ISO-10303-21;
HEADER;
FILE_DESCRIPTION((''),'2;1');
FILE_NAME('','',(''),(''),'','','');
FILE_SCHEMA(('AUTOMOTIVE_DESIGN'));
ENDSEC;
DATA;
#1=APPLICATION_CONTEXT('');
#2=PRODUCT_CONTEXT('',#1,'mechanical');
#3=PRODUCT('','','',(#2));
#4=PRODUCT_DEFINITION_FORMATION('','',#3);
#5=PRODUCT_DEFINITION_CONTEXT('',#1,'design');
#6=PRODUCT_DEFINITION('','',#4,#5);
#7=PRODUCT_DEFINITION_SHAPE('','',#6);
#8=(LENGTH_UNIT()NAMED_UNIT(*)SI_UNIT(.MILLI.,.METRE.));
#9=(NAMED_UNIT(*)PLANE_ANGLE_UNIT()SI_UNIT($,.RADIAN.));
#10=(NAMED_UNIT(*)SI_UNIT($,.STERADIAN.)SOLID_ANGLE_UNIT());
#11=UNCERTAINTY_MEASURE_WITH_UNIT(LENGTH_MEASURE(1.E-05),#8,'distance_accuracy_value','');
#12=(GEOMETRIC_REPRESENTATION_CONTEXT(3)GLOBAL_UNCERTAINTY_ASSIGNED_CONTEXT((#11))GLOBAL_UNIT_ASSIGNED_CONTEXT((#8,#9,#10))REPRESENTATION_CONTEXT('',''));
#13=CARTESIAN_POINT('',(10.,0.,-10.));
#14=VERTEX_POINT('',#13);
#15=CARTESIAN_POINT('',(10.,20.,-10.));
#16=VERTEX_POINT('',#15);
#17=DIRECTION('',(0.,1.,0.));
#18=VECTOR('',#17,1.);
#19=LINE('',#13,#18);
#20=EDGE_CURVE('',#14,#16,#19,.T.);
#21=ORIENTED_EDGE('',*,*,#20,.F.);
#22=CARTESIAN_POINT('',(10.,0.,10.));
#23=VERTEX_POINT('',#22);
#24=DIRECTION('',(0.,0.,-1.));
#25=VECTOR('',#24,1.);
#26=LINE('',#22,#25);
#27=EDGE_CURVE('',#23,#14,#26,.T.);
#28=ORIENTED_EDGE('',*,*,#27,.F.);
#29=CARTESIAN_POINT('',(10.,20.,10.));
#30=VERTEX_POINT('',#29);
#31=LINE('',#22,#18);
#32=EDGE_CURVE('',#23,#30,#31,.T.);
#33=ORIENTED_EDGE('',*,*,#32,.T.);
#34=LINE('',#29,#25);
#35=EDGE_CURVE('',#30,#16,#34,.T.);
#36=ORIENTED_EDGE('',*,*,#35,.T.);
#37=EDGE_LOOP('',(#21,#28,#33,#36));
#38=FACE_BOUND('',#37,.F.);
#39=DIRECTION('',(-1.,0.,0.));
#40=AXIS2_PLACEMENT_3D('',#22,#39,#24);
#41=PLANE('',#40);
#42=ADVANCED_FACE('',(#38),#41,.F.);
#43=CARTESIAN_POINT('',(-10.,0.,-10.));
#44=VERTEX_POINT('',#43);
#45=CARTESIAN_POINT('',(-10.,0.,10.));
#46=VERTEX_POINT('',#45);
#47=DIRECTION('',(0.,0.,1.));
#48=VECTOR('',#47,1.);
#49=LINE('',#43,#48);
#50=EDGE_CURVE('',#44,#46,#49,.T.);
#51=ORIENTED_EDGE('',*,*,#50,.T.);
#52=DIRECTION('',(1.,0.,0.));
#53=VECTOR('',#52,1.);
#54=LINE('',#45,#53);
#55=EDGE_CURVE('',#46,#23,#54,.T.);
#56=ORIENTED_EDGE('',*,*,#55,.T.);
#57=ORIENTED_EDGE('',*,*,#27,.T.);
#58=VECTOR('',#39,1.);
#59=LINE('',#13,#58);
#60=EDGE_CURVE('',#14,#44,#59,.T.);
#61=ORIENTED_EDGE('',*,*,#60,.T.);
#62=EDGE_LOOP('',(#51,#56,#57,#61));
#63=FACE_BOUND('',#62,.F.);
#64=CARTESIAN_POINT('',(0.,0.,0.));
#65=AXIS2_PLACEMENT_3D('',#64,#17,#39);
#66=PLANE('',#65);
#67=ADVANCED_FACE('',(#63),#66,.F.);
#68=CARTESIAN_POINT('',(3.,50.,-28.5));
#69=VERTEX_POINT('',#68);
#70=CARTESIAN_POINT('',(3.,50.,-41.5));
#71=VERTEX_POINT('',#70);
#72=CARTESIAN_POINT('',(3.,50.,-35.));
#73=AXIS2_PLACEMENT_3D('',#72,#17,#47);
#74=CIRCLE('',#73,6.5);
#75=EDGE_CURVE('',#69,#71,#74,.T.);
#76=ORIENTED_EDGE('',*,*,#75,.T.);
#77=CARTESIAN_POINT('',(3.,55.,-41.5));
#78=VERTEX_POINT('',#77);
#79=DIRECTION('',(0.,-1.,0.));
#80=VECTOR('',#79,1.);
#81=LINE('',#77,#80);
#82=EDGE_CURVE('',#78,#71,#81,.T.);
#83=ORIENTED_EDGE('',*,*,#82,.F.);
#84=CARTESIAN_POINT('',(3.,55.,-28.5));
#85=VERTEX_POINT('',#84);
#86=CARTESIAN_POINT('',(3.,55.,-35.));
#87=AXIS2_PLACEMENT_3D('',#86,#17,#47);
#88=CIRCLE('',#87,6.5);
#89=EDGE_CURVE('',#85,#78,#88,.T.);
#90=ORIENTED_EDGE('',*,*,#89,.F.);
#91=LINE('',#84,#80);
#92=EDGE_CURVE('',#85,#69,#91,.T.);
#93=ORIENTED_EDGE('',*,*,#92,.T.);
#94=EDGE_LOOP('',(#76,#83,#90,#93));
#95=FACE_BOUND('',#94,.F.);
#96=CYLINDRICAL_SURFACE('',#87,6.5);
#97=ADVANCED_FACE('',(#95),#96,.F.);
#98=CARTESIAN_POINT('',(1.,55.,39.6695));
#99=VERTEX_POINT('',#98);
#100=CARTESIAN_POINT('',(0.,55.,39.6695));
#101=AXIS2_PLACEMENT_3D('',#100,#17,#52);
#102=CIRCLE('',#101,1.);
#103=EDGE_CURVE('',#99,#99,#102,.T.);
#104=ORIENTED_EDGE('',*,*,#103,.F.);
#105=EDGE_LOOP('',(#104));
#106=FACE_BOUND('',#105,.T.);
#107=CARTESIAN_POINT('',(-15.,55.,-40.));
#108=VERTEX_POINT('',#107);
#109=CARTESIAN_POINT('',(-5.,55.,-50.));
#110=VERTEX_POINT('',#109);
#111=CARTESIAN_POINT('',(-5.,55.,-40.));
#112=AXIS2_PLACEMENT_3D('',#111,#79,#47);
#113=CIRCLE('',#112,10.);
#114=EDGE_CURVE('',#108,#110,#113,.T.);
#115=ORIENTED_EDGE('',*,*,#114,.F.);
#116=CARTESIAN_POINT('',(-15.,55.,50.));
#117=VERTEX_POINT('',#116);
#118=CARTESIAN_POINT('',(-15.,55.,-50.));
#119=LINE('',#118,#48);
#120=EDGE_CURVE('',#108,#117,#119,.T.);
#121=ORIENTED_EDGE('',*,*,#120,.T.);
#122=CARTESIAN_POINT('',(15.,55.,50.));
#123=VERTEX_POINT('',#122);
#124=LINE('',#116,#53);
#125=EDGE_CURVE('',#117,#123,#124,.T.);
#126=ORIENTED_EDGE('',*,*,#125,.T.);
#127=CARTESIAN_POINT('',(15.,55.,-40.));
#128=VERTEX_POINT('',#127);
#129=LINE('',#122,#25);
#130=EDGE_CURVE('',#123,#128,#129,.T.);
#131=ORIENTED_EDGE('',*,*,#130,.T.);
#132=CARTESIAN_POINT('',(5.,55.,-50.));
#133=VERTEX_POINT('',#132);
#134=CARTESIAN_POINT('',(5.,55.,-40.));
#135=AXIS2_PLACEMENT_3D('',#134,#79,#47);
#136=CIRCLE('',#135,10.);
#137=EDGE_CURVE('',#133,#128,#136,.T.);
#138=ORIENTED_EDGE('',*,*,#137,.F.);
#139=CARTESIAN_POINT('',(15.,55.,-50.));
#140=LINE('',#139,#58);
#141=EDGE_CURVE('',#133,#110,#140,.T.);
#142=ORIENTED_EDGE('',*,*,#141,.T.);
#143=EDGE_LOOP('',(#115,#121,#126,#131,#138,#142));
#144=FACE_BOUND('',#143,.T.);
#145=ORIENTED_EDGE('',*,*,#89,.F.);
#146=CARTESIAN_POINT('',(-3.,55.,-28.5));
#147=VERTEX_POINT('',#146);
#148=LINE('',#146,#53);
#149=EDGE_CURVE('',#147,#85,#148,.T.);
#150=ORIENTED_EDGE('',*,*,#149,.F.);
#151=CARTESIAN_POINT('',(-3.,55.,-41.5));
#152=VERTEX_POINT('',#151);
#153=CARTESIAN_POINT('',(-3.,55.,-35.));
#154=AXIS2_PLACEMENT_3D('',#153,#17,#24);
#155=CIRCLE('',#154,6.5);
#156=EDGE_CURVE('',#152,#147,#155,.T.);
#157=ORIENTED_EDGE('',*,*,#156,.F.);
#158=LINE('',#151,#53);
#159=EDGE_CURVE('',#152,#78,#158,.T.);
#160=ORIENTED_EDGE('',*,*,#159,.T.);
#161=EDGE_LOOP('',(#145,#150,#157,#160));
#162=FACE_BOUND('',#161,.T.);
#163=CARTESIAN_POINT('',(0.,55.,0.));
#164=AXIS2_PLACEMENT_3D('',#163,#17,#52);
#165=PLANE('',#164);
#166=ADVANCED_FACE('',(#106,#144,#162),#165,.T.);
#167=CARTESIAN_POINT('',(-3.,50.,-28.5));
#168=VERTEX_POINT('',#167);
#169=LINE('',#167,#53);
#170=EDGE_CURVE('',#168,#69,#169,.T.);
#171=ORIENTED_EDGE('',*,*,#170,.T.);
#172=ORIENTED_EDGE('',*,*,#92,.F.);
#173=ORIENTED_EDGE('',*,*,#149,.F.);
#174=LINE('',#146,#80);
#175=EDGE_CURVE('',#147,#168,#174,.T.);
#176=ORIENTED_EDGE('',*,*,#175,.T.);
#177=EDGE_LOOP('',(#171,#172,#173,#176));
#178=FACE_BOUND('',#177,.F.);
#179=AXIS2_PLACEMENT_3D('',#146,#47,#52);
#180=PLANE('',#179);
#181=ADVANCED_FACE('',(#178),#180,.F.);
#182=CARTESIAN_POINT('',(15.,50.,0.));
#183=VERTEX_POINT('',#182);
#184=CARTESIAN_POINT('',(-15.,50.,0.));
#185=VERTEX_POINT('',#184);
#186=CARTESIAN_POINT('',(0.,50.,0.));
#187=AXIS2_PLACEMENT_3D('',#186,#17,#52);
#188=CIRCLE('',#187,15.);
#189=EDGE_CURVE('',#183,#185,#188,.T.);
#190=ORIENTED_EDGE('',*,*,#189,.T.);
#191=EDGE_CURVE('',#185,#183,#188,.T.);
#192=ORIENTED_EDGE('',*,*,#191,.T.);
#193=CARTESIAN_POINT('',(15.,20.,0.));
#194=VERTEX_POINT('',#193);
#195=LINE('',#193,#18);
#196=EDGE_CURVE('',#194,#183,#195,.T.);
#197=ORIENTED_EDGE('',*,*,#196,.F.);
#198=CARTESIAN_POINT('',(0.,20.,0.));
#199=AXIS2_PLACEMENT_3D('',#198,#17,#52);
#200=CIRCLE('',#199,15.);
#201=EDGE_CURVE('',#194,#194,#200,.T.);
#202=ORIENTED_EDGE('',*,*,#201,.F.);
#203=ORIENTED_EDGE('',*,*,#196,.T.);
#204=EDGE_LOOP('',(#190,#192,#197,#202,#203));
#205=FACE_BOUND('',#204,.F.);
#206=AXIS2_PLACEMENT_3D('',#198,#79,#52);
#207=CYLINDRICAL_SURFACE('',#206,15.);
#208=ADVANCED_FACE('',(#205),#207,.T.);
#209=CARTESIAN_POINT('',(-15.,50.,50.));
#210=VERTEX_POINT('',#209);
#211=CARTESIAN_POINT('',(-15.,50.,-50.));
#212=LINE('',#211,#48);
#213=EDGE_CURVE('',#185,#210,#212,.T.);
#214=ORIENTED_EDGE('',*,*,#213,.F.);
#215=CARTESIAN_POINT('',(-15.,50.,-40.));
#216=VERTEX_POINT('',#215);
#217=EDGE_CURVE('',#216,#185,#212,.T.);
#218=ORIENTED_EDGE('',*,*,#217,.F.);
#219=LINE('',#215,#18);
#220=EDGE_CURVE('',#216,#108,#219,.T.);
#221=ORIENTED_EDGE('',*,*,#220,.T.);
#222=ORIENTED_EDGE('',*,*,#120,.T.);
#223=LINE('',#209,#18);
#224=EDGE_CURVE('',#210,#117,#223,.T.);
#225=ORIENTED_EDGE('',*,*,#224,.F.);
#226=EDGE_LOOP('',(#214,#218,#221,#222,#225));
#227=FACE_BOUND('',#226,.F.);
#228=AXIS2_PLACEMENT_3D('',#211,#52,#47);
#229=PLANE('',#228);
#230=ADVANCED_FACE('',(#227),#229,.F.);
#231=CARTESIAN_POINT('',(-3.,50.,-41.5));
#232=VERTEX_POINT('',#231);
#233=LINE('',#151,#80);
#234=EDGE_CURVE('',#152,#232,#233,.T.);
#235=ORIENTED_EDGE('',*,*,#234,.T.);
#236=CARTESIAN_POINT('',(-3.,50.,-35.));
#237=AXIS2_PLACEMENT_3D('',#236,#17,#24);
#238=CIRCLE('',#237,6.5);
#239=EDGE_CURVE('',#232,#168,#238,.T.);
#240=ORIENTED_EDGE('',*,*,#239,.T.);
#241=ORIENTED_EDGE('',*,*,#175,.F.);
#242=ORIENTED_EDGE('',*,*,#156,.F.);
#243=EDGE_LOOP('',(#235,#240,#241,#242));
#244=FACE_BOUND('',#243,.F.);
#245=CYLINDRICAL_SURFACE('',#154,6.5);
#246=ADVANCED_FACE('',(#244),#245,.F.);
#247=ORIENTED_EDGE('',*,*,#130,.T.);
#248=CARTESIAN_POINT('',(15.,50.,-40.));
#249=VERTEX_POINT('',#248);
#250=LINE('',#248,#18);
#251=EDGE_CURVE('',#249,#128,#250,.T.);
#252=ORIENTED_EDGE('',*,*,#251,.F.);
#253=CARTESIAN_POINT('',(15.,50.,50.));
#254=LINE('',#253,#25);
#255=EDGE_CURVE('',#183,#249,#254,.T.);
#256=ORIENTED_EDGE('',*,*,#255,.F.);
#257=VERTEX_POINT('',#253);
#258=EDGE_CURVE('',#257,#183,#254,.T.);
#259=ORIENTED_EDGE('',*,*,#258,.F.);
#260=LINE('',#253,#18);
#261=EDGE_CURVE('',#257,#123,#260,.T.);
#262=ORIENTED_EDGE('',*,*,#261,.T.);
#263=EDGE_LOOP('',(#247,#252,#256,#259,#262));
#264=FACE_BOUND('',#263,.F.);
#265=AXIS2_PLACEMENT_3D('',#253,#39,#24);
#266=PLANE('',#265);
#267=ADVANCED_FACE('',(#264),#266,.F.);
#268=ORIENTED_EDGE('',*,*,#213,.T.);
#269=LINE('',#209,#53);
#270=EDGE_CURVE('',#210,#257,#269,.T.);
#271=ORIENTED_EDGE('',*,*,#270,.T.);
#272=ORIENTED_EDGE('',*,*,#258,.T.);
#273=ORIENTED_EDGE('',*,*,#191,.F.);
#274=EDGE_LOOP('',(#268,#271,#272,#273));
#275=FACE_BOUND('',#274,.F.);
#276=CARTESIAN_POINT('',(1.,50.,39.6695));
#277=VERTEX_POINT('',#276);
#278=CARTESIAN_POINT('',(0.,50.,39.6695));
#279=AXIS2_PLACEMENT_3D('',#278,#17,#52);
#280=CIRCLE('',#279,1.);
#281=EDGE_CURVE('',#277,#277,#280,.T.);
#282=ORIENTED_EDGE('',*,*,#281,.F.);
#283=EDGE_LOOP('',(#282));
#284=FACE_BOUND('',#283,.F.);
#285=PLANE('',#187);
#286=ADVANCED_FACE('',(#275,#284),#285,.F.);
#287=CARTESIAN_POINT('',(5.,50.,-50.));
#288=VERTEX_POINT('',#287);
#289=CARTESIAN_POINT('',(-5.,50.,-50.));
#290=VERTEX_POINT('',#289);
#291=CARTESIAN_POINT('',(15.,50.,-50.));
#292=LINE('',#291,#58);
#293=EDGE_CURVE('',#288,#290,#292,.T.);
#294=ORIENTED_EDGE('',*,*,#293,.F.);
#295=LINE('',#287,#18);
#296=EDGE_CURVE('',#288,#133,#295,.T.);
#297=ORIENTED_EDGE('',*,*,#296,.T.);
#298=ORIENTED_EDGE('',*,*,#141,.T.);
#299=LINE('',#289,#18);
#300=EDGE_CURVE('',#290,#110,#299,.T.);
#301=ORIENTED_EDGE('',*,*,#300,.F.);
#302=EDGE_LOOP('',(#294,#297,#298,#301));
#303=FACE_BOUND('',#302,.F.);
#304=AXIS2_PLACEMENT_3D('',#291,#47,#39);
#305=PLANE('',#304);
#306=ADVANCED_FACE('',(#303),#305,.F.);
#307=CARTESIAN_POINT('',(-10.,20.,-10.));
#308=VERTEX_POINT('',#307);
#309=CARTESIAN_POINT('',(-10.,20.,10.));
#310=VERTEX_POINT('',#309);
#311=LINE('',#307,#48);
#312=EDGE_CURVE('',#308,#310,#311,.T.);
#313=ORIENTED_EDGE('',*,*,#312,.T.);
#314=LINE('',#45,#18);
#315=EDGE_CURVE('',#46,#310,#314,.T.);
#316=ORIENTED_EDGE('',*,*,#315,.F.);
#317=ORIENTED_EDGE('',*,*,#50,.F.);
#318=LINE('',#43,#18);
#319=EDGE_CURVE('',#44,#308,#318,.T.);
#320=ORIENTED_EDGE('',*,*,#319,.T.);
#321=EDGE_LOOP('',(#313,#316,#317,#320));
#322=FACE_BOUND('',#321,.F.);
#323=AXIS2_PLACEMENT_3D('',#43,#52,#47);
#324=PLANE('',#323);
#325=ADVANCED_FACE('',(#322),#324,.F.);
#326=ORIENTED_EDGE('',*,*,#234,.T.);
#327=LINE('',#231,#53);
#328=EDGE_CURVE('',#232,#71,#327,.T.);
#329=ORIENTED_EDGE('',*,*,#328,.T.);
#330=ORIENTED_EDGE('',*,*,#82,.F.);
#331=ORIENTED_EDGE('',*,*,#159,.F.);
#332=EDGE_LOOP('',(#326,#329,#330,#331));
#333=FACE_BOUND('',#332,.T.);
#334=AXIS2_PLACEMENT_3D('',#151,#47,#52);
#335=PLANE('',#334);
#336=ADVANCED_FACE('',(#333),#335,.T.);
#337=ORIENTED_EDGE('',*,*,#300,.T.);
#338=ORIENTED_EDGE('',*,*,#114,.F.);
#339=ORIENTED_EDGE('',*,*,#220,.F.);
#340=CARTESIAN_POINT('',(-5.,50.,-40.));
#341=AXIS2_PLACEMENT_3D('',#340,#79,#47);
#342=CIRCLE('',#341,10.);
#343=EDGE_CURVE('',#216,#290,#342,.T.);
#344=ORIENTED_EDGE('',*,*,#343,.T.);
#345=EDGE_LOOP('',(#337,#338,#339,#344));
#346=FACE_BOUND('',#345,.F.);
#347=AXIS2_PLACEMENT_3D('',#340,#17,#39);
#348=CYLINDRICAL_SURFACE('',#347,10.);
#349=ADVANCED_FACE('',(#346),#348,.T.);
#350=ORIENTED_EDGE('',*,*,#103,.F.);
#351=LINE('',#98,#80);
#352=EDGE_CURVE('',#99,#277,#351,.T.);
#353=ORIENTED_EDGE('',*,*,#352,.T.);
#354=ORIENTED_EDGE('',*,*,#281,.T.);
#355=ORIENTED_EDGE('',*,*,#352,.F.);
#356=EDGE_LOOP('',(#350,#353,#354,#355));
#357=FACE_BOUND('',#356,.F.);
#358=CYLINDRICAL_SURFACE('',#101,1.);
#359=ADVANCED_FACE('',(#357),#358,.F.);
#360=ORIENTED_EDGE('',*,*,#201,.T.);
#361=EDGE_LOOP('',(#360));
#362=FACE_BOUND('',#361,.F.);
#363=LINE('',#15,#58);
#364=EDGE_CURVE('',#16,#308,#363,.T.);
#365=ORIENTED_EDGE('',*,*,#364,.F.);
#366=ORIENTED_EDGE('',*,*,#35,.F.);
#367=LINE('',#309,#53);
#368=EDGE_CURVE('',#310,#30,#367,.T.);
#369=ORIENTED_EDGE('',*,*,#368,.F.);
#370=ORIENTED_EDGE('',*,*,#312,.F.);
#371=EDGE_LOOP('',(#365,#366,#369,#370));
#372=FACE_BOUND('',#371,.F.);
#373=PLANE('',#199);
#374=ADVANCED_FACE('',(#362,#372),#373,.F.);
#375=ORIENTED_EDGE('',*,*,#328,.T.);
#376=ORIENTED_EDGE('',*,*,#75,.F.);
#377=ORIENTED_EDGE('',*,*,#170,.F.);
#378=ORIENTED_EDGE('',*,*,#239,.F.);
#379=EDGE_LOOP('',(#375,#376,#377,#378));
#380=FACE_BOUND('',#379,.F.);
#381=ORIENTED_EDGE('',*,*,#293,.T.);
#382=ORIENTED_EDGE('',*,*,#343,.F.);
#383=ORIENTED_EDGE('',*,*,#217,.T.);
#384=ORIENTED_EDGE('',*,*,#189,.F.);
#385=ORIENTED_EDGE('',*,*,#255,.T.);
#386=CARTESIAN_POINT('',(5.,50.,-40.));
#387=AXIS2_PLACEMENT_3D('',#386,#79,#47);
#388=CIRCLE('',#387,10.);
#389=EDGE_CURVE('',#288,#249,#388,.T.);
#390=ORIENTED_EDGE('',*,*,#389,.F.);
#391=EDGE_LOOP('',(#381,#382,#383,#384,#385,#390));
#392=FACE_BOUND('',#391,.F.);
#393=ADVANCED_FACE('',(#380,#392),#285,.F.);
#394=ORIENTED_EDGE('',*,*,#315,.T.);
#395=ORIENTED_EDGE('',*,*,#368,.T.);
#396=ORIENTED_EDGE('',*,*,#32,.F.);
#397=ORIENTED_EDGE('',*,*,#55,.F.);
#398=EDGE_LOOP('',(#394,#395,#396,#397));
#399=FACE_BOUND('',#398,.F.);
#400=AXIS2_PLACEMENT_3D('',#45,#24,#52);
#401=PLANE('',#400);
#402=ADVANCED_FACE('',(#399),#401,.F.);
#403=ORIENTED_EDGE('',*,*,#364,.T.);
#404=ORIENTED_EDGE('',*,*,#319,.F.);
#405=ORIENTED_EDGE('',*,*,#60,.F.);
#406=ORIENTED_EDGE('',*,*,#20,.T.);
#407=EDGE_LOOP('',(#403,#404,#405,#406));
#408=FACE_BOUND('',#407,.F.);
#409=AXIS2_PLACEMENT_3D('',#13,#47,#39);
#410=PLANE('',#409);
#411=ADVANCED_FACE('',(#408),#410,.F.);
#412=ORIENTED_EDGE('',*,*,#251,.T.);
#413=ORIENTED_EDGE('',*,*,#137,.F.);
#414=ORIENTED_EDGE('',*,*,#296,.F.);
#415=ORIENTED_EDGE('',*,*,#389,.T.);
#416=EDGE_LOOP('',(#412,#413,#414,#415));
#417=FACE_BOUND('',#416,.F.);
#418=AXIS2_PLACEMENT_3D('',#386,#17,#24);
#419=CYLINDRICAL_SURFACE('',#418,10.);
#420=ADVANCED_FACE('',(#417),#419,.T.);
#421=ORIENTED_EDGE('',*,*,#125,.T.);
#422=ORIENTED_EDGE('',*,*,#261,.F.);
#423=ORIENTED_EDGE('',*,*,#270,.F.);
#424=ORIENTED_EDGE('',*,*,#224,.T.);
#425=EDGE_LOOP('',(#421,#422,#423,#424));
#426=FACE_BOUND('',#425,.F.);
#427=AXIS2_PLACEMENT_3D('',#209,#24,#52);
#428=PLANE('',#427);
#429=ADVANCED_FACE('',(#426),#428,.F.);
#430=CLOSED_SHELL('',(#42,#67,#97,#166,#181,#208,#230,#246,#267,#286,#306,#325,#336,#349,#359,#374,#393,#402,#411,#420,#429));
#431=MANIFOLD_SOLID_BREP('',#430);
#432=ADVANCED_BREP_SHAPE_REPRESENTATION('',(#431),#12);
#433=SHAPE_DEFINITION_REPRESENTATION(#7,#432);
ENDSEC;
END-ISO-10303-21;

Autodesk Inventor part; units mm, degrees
ref_plane "YZ Plane" through (0, 0, 0) normal (1, 0, 0) x (0, 1, 0)
ref_plane "XZ Plane" through (0, 0, 0) normal (0, 1, 0) x (-1, 0, 0)
ref_plane "XY Plane" through (0, 0, 0) normal (0, 0, 1) x (1, 0, 0)
sketch "Sketch1" plane through (0, 0, 0) normal (0, 1, 0) x (-1, 0, 0)
  line L0 (10, 10) -> (-10, 10)
  line L1 (-10, 10) -> (-10, -10)
  line L2 (-10, -10) -> (10, -10)
  line L3 (10, -10) -> (10, 10)
  line L4 (10, 10) -> (-10, -10) construction
  line L5 (-10, 10) -> (10, -10) construction
  point P0 (0, 0)
  dimension "d0" = 20
  dimension "d1" = 20
extrude "Extrusion1" add sketch "Sketch1" along normal blind 20
sketch "Sketch2" plane through (0, 20, 0) normal (0, 1, 0) x (1, 0, 0)
  circle A0 centre (0, 0) radius 15
  dimension "d4" = 30
extrude "Extrusion2" add sketch "Sketch2" along normal blind 30
sketch "Sketch3" plane through (0, 50, 0) normal (0, 1, 0) x (1, 0, 0)
  line L0 (-15, -50) -> (15, -50)
  line L1 (15, -50) -> (15, 50)
  line L2 (15, 50) -> (-15, 50)
  line L3 (-15, 50) -> (-15, -50)
  line L4 (-15, -50) -> (15, 50) construction
  line L5 (15, -50) -> (-15, 50) construction
  point P0 (0, 0)
  dimension "d7" = 30
  dimension "d8" = 100
extrude "Extrusion3" add sketch "Sketch3" along normal blind 5
sketch "Sketch4" plane through (0, 55, 0) normal (0, 1, 0) x (1, 0, 0)
  arc A0 (-3, 41.5) -> (-3, 28.5) centre (-3, 35) ccw
  arc A1 (3, 28.5) -> (3, 41.5) centre (3, 35) ccw
  line L0 (-3, 28.5) -> (3, 28.5)
  line L1 (-3, 41.5) -> (3, 41.5)
  point P0 (0, 0)
  dimension "d11" = 13
  dimension "d12" = 13
  dimension "d13" = 3
  dimension "d14" = 3
  dimension "d15" = 35
extrude "Extrusion4" cut sketch "Sketch4" against normal blind 5
fillet "Fillet1" radius 10 2 edges at (-15, 52.5, -50) (15, 52.5, -50)
sketch "Sketch5" plane through (0, 55, 0) normal (0, 1, 0) x (1, 0, 0)
  circle A0 centre (0, -39.6695) radius 1
  point P0 (0, 0)
  dimension "d19" = 2
extrude "Extrusion5" cut sketch "Sketch5" against normal blind 5
properties part number "herramienta2"
